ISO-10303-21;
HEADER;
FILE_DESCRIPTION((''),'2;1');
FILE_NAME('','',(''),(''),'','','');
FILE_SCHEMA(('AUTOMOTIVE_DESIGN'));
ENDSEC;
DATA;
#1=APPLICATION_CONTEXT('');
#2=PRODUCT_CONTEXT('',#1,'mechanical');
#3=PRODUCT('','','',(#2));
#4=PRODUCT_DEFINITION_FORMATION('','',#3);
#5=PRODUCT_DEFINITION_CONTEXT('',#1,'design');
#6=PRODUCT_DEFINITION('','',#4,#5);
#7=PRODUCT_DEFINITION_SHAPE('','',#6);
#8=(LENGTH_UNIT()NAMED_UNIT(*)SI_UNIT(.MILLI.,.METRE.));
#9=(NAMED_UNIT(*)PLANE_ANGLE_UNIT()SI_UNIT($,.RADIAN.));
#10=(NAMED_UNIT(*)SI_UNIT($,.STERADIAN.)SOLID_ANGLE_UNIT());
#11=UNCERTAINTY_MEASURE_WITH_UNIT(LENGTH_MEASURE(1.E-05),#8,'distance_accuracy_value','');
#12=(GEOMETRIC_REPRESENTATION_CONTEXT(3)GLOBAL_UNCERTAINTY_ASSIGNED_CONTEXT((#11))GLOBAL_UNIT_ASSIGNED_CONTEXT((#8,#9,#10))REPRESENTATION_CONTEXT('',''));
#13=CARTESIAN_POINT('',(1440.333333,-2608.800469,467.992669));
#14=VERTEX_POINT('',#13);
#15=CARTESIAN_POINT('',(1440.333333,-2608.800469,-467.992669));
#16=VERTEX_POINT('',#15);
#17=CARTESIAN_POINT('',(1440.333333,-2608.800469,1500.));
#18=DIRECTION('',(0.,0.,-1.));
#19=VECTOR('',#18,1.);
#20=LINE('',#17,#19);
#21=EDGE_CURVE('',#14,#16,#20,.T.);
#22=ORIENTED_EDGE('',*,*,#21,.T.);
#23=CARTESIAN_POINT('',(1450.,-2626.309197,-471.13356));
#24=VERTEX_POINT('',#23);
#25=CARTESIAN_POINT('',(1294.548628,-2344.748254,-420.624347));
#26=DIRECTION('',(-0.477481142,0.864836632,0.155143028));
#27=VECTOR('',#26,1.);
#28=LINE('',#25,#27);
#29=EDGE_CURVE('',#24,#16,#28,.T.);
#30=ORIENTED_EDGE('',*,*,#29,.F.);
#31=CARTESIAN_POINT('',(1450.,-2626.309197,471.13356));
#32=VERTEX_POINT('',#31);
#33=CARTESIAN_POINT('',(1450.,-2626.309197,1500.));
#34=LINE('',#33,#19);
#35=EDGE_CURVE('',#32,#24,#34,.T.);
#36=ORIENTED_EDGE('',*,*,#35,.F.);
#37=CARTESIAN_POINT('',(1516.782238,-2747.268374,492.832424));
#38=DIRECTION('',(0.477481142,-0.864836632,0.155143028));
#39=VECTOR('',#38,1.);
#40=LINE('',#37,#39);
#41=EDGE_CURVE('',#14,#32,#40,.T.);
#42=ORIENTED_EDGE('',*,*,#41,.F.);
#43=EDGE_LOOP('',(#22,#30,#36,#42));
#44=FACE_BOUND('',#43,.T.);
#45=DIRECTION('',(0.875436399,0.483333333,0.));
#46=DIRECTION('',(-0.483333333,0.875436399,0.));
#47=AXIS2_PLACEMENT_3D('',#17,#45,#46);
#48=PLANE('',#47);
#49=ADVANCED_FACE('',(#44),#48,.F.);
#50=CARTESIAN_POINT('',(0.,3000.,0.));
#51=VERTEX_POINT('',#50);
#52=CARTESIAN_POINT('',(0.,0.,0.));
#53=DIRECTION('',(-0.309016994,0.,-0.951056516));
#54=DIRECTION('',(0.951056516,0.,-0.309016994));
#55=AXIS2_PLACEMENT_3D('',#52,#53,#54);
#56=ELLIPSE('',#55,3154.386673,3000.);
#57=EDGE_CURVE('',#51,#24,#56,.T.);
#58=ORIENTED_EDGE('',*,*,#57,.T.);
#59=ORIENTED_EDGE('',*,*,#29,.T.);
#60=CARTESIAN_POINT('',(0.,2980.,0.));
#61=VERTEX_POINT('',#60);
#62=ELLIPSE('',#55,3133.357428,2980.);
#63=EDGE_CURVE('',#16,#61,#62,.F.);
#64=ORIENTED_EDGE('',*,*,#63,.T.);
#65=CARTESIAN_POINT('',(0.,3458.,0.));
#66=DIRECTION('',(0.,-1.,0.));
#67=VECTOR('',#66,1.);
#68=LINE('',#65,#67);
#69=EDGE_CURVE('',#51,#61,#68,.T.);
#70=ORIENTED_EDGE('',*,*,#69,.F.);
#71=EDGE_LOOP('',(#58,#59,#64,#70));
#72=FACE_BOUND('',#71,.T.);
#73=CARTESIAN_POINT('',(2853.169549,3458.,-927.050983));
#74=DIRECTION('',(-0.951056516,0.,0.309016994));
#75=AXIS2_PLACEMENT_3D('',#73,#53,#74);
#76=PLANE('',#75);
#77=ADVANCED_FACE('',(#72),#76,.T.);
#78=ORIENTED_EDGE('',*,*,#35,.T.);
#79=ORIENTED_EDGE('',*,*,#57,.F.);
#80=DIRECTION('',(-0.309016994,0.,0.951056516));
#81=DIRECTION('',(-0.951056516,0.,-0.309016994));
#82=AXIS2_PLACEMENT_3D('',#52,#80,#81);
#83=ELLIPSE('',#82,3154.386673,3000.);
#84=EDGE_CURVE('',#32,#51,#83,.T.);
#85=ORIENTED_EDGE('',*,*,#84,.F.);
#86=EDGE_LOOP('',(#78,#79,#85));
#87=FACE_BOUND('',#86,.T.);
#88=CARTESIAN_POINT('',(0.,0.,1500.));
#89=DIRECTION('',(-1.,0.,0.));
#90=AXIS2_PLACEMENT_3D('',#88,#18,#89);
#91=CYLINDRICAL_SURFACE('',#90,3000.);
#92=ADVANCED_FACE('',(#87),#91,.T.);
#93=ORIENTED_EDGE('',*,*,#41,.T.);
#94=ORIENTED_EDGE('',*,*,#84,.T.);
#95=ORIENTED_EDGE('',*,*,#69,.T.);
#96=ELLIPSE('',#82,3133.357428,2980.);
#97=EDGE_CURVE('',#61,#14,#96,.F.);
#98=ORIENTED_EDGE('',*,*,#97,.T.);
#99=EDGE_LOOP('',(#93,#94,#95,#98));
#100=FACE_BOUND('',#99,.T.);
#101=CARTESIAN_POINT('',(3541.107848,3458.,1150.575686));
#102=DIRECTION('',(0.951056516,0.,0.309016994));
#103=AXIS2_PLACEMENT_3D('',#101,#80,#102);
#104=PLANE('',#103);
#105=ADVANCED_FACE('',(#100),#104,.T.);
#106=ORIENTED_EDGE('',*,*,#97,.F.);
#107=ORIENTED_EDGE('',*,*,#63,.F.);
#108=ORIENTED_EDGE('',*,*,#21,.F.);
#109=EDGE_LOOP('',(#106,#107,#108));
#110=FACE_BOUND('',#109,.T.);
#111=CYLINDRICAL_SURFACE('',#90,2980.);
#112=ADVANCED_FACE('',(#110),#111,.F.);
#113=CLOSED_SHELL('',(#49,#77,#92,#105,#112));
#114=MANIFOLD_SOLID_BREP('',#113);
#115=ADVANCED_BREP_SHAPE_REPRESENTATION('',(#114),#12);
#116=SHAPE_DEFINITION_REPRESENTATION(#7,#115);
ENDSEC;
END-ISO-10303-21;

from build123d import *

# Parameters (mm, degrees)
AUFSATZ_LINEAR_AUSTRAGEN3_DEPTH      = 1500
AUFSATZ_LINEAR_AUSTRAGEN3_DEPTH_BACK = 1500
SCHNITT_LINEAR_AUSTRAGEN4_DEPTH      = 6458
SCHNITT_LINEAR_AUSTRAGEN14_DEPTH     = 6458


with BuildPart() as part:
    # Skizze1 → Aufsatz-Linear austragen3 (new body, two sides)
    with BuildSketch(Plane.XY) as aufsatz_linear_austragen3_sk:
        with BuildLine():
            Line((0, 2980), (0, 3000))
            ThreePointArc((0, 3000), (2905.075523287, 748.689658002), (1450, -2626.309197334))
            Line((1450, -2626.309197334), (1440.333333333, -2608.800469352))
            ThreePointArc((1440.333333333, -2608.800469352), (2885.708353132, 743.698393615), (0, 2980))
        make_face()
    extrude(amount=AUFSATZ_LINEAR_AUSTRAGEN3_DEPTH)
    extrude(aufsatz_linear_austragen3_sk.sketch, amount=-AUFSATZ_LINEAR_AUSTRAGEN3_DEPTH_BACK)

    # Skizze7 → Schnitt-Linear austragen4 (cut)
    with BuildSketch(Plane(origin=(0, -3000, 0), x_dir=(1, 0, 0), z_dir=(0, 1, 0))):
        Polygon((3541.107848253, -1150.575686383), (0, 0), (0, -1500), (3541.107848253, -1500), align=None)
    extrude(amount=SCHNITT_LINEAR_AUSTRAGEN4_DEPTH, mode=Mode.SUBTRACT)

    # Skizze9 → Schnitt-Linear austragen14 (cut)
    with BuildSketch(Plane(origin=(0, -3000, 0), x_dir=(1, 0, 0), z_dir=(0, 1, 0))):
        Polygon((0, 0), (2853.169548885, 927.050983125), (3389.262998564, 1101.238303947), (3389.262998564, 1500), (0, 1500), align=None)
    extrude(amount=SCHNITT_LINEAR_AUSTRAGEN14_DEPTH, mode=Mode.SUBTRACT)


solid = part.part
